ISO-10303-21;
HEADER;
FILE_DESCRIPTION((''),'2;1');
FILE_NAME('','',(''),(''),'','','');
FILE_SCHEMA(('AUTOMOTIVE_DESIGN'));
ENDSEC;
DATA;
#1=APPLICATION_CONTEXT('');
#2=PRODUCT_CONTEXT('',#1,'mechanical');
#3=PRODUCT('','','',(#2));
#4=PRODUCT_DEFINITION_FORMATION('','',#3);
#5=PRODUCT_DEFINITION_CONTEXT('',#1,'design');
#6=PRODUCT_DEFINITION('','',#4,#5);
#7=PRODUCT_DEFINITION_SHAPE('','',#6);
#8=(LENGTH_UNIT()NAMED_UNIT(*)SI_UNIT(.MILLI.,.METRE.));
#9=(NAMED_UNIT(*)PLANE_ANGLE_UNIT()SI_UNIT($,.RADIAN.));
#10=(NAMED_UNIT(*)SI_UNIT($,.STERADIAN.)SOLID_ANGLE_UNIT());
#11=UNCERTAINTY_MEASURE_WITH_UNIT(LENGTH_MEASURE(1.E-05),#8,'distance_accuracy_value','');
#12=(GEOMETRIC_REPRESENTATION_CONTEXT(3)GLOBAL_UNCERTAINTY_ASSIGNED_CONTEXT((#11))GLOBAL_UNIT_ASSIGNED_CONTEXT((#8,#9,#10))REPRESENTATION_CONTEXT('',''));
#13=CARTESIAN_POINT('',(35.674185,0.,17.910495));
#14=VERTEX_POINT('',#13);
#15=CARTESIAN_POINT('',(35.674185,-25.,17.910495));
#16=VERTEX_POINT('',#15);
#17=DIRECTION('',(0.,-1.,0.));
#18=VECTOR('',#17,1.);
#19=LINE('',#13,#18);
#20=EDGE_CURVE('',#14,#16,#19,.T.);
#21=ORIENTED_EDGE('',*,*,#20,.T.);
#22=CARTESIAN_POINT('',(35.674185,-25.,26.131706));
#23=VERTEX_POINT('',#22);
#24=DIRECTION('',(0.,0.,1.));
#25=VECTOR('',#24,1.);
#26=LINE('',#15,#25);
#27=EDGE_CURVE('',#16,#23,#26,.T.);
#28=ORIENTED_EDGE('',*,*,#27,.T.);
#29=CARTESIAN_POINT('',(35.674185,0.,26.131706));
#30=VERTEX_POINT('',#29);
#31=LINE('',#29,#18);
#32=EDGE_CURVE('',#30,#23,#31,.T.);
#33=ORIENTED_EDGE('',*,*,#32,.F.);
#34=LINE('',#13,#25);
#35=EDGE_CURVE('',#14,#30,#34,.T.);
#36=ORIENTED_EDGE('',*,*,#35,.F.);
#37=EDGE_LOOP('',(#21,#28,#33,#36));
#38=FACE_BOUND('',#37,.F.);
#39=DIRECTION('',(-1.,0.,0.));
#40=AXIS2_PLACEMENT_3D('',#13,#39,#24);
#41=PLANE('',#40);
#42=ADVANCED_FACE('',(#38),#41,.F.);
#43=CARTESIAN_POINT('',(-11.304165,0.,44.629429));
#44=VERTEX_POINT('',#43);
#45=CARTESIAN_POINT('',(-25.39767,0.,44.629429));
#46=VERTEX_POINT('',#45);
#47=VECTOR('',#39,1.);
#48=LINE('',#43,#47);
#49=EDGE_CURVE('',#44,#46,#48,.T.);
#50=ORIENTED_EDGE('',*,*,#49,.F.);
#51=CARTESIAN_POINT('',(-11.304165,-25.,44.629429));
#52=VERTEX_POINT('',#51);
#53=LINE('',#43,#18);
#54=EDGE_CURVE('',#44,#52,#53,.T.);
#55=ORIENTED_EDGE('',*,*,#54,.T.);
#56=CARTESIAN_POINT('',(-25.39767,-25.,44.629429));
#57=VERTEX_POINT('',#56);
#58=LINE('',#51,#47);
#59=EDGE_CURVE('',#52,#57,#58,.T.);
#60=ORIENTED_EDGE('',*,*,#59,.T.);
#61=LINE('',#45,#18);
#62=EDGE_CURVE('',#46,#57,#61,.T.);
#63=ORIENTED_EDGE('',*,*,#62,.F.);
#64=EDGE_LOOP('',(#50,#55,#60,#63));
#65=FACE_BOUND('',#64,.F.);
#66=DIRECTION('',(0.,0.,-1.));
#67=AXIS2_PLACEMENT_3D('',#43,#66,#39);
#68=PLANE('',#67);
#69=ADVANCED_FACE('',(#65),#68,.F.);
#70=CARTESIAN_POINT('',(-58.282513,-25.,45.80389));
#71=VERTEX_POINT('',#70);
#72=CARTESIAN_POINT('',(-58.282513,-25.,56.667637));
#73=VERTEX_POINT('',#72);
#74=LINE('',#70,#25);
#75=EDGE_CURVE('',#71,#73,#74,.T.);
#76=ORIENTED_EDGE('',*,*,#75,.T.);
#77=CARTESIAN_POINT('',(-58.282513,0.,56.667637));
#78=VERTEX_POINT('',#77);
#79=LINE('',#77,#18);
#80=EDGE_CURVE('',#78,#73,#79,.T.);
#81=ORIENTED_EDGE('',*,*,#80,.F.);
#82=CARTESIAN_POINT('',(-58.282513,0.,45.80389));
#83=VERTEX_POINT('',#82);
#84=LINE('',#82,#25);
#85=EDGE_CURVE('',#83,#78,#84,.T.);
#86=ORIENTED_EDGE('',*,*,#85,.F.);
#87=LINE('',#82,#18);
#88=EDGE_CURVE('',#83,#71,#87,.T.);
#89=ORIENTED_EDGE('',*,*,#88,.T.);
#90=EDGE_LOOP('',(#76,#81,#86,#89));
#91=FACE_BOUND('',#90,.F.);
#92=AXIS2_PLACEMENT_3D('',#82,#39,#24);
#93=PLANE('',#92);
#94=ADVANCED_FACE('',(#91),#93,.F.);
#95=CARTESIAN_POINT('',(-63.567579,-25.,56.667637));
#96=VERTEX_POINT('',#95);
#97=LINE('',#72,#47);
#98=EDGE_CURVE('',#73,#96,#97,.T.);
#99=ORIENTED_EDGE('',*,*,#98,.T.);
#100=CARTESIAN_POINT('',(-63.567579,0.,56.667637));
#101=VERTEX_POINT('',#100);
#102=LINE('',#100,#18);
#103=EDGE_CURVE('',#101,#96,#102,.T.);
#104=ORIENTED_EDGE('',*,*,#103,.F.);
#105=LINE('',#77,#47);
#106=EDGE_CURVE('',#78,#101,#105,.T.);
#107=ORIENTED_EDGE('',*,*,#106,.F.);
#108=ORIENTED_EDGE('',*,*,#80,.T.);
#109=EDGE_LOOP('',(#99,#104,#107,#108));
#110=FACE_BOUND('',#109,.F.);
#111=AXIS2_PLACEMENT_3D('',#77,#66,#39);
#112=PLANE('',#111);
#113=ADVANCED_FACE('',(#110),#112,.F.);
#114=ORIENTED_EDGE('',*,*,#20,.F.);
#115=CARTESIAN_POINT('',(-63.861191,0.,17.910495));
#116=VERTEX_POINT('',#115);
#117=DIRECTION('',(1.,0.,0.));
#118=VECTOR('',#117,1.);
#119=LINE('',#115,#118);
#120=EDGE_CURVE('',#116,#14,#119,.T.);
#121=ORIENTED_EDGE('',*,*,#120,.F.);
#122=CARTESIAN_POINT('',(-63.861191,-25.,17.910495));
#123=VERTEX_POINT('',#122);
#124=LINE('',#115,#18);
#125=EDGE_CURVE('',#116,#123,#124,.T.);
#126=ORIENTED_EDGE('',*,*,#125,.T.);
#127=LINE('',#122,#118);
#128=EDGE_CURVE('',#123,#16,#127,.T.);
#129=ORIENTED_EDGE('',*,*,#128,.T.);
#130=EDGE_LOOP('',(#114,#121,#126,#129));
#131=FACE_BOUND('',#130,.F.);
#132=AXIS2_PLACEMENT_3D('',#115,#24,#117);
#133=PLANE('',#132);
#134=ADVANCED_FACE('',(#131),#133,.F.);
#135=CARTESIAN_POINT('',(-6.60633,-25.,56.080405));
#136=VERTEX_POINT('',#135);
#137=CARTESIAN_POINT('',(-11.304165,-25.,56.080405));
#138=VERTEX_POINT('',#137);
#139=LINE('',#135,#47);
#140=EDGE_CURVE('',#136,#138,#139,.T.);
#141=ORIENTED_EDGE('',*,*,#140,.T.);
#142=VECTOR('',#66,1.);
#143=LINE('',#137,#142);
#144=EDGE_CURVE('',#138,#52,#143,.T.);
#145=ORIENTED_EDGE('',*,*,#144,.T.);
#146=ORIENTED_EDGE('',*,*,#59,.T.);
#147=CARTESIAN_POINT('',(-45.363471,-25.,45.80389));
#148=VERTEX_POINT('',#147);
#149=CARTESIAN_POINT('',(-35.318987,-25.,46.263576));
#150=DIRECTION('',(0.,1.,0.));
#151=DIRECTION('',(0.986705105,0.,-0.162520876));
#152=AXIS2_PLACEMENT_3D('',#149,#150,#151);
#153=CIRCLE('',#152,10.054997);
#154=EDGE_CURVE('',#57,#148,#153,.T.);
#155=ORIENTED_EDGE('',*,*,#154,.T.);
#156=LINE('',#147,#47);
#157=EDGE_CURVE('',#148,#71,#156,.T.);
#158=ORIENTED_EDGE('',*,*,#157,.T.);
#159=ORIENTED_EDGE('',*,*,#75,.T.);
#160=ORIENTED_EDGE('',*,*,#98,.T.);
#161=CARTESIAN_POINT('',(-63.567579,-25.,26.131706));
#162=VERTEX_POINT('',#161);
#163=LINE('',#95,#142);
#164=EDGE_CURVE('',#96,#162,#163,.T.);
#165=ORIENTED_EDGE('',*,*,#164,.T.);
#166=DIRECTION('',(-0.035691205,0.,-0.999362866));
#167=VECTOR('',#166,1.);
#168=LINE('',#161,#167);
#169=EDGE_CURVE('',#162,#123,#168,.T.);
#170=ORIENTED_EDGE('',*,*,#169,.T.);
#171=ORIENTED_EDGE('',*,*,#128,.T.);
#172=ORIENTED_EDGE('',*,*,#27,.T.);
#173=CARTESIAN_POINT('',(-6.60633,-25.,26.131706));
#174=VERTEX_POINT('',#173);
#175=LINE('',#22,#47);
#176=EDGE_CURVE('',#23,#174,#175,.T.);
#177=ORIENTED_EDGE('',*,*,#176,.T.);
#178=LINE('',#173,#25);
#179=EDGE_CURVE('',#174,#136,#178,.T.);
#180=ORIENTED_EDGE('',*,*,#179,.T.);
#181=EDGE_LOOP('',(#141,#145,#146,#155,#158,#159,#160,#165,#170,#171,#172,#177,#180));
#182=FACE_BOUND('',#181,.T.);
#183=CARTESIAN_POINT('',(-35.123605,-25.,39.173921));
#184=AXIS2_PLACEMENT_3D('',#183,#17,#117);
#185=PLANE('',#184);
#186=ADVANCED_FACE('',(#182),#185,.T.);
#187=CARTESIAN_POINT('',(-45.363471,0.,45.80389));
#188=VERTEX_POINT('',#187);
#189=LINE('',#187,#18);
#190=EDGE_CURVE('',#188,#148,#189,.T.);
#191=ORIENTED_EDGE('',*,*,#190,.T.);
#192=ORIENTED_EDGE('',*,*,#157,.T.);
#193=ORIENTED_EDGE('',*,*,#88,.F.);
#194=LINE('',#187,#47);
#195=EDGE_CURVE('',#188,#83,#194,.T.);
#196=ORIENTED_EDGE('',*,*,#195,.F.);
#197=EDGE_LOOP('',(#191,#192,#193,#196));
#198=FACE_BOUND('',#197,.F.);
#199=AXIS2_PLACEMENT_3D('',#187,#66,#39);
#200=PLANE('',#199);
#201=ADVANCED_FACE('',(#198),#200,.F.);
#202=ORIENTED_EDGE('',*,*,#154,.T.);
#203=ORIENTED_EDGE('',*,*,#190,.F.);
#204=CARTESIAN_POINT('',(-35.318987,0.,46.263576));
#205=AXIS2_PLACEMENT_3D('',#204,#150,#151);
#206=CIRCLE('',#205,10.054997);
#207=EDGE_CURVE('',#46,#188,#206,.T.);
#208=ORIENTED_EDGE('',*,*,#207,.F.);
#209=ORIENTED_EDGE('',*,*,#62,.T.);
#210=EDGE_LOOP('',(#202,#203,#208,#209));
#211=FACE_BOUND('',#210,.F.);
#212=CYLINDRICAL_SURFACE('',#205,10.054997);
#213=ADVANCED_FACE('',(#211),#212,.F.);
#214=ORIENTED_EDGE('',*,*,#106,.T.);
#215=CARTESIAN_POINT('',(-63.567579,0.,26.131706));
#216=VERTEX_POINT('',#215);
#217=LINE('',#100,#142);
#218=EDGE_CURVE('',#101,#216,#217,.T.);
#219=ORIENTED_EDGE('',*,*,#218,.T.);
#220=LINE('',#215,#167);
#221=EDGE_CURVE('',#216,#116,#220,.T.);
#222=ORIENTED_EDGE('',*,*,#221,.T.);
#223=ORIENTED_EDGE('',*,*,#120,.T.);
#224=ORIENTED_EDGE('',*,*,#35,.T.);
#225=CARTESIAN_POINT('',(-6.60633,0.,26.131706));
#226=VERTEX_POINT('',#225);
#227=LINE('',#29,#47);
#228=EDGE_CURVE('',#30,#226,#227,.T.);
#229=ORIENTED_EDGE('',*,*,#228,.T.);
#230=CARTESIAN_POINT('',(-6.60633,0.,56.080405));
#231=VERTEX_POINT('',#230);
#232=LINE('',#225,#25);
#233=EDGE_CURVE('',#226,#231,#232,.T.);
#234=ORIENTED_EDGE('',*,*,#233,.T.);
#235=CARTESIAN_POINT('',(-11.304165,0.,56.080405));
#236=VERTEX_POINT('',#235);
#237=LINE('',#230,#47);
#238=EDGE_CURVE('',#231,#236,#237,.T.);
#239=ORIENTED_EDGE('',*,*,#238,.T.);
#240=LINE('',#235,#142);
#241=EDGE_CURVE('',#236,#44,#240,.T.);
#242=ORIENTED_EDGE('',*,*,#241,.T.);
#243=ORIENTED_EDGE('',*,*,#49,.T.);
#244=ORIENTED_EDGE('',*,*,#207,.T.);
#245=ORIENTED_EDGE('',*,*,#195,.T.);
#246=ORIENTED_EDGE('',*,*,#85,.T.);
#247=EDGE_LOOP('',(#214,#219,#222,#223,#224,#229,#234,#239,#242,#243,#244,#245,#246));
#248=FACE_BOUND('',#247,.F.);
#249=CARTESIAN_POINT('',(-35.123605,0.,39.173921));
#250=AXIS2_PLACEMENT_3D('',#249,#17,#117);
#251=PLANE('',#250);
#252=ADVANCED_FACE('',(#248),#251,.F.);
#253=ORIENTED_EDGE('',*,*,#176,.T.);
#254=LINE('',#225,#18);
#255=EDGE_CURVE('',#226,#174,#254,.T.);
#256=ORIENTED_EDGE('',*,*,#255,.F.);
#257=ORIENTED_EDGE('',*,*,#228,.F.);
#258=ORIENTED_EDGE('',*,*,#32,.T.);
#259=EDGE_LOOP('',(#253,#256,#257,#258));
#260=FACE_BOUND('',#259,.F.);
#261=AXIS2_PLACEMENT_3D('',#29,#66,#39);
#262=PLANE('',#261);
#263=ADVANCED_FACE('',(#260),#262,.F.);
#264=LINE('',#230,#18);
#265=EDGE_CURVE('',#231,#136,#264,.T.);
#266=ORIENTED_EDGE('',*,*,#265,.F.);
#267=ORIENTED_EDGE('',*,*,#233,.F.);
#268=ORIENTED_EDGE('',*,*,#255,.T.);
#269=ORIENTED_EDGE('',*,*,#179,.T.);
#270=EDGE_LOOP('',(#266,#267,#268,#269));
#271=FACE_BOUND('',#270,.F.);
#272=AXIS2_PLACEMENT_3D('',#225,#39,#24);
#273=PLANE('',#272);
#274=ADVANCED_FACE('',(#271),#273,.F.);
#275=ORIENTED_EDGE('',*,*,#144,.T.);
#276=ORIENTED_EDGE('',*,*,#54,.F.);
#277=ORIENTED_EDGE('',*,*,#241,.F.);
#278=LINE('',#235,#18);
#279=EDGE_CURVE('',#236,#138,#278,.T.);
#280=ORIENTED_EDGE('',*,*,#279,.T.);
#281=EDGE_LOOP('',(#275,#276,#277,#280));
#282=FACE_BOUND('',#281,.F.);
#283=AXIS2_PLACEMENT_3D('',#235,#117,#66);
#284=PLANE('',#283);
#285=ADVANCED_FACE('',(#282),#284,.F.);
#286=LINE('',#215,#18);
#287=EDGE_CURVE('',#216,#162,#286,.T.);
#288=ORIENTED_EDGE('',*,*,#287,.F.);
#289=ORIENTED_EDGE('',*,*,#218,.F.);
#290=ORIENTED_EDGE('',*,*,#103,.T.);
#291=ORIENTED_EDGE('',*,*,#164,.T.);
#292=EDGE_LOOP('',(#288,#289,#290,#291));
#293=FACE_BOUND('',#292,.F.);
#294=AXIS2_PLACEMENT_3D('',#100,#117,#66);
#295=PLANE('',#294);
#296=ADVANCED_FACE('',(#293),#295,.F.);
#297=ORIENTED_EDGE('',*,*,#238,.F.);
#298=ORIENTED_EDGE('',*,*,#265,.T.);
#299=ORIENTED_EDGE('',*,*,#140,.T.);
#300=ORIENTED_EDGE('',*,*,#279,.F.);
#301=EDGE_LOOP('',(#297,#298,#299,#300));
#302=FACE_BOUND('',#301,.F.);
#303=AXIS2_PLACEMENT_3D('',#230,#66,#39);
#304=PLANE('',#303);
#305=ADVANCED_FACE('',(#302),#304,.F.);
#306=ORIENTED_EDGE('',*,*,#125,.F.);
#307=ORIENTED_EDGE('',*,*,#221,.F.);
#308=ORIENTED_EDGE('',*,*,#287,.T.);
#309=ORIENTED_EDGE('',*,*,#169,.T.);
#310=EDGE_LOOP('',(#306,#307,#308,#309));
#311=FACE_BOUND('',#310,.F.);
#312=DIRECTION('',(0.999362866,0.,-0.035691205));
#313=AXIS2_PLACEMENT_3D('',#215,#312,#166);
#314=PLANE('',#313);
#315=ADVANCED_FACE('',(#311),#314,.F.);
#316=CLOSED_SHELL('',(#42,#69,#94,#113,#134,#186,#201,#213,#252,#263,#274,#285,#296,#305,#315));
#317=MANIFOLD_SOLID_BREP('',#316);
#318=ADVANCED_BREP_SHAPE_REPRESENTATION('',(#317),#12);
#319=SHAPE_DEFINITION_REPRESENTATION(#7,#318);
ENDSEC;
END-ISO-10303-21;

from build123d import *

# Parameters (mm, degrees)
F1_DEPTH = 25


with BuildPart() as f1:
    # F0 (on Front) → F1 (new body)
    with BuildSketch(Plane.XZ):
        with BuildLine():
            Line((-58.282513, 56.667637), (-63.567579, 56.667637))
            Line((-63.567579, 56.667637), (-63.567579, 38.463522))
            Line((-63.567579, 38.463522), (-63.567579, 26.131706))
            Line((-63.567579, 26.131706), (-6.60633, 26.131706))
            Line((-6.60633, 26.131706), (-6.60633, 37.582681))
            Line((-6.60633, 37.582681), (-6.60633, 56.080405))
            Line((-6.60633, 56.080405), (-11.304165, 56.080405))
            Line((-11.304165, 56.080405), (-11.304165, 44.629429))
            Line((-11.304165, 44.629429), (-25.39767, 44.629429))
            ThreePointArc((-25.39767, 44.629429), (-35.909438, 36.22593), (-45.363471, 45.80389))
            Line((-45.363471, 45.80389), (-58.282513, 45.80389))
            Line((-58.282513, 45.80389), (-58.282513, 56.667637))
        make_face()
        Polygon((-6.60633, 26.131706), (-63.567579, 26.131706), (-63.861191, 17.910495), (35.674185, 17.910495), (35.674185, 26.131706), align=None)
    extrude(amount=F1_DEPTH)


solid = f1.part
